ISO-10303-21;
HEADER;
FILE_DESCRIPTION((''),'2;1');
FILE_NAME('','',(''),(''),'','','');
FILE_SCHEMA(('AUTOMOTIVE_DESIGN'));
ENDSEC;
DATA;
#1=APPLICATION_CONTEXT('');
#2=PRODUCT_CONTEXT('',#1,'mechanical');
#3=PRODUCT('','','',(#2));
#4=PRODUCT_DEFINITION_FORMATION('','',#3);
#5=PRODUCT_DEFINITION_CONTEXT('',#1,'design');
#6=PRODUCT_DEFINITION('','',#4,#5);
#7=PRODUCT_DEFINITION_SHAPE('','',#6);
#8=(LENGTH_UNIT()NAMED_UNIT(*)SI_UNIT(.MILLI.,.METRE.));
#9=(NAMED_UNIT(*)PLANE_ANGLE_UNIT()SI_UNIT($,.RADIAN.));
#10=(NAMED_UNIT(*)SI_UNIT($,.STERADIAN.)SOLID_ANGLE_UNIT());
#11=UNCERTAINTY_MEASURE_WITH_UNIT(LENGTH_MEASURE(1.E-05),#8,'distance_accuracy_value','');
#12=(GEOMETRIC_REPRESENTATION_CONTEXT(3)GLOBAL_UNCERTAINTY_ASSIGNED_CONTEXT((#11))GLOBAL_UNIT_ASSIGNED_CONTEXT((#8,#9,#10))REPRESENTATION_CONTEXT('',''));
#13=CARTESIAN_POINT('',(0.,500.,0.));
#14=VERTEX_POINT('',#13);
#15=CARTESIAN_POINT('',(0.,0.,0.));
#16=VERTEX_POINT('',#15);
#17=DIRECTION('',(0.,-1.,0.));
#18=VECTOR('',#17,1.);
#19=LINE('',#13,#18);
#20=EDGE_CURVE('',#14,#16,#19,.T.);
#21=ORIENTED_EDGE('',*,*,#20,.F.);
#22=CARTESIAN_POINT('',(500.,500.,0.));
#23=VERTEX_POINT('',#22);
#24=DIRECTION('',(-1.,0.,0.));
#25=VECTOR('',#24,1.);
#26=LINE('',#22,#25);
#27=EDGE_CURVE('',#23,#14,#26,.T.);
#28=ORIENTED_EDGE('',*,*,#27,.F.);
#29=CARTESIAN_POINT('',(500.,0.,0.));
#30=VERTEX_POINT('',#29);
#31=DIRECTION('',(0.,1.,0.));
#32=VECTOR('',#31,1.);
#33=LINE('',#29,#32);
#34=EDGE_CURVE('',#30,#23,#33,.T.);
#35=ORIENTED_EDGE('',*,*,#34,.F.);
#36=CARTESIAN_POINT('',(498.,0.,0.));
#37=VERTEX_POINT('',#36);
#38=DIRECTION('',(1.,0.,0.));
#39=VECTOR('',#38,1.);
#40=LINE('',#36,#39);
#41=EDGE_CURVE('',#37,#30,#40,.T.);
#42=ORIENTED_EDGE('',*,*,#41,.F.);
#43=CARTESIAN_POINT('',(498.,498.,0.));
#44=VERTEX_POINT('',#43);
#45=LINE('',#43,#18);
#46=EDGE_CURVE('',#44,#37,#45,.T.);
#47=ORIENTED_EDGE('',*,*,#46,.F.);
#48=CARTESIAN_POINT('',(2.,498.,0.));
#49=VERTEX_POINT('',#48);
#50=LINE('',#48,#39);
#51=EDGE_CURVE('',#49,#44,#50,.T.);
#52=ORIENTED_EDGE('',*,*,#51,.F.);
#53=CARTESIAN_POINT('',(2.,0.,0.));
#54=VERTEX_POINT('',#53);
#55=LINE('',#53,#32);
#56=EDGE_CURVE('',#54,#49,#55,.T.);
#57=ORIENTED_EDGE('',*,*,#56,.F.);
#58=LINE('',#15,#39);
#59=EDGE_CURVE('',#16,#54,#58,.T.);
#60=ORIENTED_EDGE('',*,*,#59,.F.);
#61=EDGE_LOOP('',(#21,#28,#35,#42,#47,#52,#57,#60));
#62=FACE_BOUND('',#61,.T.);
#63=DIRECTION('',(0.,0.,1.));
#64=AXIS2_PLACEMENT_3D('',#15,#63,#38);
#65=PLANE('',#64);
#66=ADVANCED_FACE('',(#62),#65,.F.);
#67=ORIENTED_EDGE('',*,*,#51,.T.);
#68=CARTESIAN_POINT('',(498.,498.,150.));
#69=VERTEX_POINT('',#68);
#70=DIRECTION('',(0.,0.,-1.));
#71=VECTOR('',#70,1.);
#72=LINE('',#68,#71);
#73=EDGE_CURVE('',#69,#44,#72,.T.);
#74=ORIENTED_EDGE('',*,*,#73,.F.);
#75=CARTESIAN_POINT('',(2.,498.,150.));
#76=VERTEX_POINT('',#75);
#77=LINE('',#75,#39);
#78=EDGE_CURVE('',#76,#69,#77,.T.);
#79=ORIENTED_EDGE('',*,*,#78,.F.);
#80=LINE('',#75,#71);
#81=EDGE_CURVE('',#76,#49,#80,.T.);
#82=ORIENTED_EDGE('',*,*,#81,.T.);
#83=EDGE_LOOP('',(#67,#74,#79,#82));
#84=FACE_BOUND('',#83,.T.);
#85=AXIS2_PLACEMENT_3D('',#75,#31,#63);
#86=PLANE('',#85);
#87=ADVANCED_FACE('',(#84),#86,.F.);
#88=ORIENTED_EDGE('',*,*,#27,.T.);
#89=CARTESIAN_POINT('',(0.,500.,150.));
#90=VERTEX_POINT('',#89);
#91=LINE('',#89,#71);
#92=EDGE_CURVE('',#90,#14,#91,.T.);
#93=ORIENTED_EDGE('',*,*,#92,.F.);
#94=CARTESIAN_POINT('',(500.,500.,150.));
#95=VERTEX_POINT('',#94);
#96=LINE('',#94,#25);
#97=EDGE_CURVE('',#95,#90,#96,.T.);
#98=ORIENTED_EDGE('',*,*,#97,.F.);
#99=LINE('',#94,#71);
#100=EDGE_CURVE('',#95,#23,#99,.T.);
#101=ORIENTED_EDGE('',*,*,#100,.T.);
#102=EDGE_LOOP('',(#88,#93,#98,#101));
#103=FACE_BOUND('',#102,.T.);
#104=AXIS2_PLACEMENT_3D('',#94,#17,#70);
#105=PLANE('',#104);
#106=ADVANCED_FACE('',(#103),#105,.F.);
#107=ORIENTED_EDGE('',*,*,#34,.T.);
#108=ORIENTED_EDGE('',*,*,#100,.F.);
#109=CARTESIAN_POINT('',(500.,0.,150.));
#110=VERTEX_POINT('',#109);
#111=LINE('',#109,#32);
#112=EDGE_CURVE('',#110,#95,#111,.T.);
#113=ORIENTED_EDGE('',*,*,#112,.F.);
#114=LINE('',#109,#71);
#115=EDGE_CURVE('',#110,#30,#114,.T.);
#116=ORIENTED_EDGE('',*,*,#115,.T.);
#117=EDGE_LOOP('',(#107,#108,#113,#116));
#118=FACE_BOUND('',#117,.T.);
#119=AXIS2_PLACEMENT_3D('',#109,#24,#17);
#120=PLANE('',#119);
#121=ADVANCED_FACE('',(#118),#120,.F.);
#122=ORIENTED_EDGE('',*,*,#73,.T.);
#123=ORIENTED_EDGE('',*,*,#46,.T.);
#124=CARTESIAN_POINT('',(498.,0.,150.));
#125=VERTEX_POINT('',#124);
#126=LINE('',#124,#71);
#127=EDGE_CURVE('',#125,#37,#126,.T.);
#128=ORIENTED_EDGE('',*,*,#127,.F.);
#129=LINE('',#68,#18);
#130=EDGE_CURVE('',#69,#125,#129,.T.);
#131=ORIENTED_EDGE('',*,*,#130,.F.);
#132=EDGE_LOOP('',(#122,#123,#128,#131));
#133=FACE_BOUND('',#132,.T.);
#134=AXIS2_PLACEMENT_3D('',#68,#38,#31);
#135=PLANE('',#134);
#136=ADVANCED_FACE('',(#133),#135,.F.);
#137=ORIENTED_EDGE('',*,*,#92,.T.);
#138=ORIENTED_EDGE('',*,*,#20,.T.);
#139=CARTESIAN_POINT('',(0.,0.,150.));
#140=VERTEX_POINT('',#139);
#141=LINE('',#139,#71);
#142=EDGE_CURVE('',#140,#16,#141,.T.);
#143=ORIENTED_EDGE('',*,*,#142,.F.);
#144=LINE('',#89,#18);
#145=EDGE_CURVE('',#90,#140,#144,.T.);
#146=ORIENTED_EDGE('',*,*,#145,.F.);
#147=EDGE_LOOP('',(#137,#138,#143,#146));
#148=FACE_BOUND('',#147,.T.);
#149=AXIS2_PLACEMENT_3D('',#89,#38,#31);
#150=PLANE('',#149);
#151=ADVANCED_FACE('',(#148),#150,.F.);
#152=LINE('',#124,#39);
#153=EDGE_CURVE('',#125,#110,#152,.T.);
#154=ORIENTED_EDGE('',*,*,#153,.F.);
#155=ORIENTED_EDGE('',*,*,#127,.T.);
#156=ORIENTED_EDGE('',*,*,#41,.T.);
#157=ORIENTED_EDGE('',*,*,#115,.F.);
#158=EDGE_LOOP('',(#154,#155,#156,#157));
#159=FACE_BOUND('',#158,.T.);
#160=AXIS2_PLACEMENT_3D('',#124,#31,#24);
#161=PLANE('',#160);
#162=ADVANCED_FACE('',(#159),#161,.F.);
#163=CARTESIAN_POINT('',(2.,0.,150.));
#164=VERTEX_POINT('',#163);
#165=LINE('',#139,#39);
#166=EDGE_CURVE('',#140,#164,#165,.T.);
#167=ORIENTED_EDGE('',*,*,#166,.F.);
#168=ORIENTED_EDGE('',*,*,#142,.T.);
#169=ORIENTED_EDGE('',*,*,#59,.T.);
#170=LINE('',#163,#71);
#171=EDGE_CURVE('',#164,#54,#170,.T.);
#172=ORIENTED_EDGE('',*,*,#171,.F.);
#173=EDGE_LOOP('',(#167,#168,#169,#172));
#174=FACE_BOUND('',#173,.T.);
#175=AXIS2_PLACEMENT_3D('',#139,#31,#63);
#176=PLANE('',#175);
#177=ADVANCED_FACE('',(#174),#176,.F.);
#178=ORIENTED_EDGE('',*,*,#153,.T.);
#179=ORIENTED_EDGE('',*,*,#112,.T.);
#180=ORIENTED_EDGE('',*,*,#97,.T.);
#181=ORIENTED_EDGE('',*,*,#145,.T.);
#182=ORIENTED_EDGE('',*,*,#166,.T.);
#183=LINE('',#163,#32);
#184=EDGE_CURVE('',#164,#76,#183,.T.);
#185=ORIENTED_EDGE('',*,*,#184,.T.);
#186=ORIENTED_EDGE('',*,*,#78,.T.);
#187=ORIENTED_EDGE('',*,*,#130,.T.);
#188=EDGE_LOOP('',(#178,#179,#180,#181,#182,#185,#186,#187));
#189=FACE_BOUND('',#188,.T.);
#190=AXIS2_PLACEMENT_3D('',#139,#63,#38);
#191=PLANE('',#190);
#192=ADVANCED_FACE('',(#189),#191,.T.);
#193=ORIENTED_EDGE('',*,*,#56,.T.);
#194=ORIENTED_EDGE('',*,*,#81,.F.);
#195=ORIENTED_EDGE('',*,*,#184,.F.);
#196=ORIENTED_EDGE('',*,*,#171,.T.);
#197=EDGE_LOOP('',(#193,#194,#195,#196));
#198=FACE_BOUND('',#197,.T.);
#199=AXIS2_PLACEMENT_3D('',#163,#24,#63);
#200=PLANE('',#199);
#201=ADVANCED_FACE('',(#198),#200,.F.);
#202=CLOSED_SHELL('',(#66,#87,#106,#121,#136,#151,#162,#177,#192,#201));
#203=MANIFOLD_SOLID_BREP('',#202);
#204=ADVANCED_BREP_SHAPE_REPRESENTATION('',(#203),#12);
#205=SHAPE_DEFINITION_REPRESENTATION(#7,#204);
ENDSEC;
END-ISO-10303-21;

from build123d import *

# Parameters (mm, degrees)
BOSS_EXTRUDE1_DEPTH = 150


with BuildPart() as part:
    # Sketch1 → Boss-Extrude1 (new body)
    with BuildSketch(Plane.XY):
        Polygon((0, 0), (2, 0), (2, 498), (498, 498), (498, 0), (500, 0), (500, 500), (0, 500), align=None)
    extrude(amount=BOSS_EXTRUDE1_DEPTH)


solid = part.part
